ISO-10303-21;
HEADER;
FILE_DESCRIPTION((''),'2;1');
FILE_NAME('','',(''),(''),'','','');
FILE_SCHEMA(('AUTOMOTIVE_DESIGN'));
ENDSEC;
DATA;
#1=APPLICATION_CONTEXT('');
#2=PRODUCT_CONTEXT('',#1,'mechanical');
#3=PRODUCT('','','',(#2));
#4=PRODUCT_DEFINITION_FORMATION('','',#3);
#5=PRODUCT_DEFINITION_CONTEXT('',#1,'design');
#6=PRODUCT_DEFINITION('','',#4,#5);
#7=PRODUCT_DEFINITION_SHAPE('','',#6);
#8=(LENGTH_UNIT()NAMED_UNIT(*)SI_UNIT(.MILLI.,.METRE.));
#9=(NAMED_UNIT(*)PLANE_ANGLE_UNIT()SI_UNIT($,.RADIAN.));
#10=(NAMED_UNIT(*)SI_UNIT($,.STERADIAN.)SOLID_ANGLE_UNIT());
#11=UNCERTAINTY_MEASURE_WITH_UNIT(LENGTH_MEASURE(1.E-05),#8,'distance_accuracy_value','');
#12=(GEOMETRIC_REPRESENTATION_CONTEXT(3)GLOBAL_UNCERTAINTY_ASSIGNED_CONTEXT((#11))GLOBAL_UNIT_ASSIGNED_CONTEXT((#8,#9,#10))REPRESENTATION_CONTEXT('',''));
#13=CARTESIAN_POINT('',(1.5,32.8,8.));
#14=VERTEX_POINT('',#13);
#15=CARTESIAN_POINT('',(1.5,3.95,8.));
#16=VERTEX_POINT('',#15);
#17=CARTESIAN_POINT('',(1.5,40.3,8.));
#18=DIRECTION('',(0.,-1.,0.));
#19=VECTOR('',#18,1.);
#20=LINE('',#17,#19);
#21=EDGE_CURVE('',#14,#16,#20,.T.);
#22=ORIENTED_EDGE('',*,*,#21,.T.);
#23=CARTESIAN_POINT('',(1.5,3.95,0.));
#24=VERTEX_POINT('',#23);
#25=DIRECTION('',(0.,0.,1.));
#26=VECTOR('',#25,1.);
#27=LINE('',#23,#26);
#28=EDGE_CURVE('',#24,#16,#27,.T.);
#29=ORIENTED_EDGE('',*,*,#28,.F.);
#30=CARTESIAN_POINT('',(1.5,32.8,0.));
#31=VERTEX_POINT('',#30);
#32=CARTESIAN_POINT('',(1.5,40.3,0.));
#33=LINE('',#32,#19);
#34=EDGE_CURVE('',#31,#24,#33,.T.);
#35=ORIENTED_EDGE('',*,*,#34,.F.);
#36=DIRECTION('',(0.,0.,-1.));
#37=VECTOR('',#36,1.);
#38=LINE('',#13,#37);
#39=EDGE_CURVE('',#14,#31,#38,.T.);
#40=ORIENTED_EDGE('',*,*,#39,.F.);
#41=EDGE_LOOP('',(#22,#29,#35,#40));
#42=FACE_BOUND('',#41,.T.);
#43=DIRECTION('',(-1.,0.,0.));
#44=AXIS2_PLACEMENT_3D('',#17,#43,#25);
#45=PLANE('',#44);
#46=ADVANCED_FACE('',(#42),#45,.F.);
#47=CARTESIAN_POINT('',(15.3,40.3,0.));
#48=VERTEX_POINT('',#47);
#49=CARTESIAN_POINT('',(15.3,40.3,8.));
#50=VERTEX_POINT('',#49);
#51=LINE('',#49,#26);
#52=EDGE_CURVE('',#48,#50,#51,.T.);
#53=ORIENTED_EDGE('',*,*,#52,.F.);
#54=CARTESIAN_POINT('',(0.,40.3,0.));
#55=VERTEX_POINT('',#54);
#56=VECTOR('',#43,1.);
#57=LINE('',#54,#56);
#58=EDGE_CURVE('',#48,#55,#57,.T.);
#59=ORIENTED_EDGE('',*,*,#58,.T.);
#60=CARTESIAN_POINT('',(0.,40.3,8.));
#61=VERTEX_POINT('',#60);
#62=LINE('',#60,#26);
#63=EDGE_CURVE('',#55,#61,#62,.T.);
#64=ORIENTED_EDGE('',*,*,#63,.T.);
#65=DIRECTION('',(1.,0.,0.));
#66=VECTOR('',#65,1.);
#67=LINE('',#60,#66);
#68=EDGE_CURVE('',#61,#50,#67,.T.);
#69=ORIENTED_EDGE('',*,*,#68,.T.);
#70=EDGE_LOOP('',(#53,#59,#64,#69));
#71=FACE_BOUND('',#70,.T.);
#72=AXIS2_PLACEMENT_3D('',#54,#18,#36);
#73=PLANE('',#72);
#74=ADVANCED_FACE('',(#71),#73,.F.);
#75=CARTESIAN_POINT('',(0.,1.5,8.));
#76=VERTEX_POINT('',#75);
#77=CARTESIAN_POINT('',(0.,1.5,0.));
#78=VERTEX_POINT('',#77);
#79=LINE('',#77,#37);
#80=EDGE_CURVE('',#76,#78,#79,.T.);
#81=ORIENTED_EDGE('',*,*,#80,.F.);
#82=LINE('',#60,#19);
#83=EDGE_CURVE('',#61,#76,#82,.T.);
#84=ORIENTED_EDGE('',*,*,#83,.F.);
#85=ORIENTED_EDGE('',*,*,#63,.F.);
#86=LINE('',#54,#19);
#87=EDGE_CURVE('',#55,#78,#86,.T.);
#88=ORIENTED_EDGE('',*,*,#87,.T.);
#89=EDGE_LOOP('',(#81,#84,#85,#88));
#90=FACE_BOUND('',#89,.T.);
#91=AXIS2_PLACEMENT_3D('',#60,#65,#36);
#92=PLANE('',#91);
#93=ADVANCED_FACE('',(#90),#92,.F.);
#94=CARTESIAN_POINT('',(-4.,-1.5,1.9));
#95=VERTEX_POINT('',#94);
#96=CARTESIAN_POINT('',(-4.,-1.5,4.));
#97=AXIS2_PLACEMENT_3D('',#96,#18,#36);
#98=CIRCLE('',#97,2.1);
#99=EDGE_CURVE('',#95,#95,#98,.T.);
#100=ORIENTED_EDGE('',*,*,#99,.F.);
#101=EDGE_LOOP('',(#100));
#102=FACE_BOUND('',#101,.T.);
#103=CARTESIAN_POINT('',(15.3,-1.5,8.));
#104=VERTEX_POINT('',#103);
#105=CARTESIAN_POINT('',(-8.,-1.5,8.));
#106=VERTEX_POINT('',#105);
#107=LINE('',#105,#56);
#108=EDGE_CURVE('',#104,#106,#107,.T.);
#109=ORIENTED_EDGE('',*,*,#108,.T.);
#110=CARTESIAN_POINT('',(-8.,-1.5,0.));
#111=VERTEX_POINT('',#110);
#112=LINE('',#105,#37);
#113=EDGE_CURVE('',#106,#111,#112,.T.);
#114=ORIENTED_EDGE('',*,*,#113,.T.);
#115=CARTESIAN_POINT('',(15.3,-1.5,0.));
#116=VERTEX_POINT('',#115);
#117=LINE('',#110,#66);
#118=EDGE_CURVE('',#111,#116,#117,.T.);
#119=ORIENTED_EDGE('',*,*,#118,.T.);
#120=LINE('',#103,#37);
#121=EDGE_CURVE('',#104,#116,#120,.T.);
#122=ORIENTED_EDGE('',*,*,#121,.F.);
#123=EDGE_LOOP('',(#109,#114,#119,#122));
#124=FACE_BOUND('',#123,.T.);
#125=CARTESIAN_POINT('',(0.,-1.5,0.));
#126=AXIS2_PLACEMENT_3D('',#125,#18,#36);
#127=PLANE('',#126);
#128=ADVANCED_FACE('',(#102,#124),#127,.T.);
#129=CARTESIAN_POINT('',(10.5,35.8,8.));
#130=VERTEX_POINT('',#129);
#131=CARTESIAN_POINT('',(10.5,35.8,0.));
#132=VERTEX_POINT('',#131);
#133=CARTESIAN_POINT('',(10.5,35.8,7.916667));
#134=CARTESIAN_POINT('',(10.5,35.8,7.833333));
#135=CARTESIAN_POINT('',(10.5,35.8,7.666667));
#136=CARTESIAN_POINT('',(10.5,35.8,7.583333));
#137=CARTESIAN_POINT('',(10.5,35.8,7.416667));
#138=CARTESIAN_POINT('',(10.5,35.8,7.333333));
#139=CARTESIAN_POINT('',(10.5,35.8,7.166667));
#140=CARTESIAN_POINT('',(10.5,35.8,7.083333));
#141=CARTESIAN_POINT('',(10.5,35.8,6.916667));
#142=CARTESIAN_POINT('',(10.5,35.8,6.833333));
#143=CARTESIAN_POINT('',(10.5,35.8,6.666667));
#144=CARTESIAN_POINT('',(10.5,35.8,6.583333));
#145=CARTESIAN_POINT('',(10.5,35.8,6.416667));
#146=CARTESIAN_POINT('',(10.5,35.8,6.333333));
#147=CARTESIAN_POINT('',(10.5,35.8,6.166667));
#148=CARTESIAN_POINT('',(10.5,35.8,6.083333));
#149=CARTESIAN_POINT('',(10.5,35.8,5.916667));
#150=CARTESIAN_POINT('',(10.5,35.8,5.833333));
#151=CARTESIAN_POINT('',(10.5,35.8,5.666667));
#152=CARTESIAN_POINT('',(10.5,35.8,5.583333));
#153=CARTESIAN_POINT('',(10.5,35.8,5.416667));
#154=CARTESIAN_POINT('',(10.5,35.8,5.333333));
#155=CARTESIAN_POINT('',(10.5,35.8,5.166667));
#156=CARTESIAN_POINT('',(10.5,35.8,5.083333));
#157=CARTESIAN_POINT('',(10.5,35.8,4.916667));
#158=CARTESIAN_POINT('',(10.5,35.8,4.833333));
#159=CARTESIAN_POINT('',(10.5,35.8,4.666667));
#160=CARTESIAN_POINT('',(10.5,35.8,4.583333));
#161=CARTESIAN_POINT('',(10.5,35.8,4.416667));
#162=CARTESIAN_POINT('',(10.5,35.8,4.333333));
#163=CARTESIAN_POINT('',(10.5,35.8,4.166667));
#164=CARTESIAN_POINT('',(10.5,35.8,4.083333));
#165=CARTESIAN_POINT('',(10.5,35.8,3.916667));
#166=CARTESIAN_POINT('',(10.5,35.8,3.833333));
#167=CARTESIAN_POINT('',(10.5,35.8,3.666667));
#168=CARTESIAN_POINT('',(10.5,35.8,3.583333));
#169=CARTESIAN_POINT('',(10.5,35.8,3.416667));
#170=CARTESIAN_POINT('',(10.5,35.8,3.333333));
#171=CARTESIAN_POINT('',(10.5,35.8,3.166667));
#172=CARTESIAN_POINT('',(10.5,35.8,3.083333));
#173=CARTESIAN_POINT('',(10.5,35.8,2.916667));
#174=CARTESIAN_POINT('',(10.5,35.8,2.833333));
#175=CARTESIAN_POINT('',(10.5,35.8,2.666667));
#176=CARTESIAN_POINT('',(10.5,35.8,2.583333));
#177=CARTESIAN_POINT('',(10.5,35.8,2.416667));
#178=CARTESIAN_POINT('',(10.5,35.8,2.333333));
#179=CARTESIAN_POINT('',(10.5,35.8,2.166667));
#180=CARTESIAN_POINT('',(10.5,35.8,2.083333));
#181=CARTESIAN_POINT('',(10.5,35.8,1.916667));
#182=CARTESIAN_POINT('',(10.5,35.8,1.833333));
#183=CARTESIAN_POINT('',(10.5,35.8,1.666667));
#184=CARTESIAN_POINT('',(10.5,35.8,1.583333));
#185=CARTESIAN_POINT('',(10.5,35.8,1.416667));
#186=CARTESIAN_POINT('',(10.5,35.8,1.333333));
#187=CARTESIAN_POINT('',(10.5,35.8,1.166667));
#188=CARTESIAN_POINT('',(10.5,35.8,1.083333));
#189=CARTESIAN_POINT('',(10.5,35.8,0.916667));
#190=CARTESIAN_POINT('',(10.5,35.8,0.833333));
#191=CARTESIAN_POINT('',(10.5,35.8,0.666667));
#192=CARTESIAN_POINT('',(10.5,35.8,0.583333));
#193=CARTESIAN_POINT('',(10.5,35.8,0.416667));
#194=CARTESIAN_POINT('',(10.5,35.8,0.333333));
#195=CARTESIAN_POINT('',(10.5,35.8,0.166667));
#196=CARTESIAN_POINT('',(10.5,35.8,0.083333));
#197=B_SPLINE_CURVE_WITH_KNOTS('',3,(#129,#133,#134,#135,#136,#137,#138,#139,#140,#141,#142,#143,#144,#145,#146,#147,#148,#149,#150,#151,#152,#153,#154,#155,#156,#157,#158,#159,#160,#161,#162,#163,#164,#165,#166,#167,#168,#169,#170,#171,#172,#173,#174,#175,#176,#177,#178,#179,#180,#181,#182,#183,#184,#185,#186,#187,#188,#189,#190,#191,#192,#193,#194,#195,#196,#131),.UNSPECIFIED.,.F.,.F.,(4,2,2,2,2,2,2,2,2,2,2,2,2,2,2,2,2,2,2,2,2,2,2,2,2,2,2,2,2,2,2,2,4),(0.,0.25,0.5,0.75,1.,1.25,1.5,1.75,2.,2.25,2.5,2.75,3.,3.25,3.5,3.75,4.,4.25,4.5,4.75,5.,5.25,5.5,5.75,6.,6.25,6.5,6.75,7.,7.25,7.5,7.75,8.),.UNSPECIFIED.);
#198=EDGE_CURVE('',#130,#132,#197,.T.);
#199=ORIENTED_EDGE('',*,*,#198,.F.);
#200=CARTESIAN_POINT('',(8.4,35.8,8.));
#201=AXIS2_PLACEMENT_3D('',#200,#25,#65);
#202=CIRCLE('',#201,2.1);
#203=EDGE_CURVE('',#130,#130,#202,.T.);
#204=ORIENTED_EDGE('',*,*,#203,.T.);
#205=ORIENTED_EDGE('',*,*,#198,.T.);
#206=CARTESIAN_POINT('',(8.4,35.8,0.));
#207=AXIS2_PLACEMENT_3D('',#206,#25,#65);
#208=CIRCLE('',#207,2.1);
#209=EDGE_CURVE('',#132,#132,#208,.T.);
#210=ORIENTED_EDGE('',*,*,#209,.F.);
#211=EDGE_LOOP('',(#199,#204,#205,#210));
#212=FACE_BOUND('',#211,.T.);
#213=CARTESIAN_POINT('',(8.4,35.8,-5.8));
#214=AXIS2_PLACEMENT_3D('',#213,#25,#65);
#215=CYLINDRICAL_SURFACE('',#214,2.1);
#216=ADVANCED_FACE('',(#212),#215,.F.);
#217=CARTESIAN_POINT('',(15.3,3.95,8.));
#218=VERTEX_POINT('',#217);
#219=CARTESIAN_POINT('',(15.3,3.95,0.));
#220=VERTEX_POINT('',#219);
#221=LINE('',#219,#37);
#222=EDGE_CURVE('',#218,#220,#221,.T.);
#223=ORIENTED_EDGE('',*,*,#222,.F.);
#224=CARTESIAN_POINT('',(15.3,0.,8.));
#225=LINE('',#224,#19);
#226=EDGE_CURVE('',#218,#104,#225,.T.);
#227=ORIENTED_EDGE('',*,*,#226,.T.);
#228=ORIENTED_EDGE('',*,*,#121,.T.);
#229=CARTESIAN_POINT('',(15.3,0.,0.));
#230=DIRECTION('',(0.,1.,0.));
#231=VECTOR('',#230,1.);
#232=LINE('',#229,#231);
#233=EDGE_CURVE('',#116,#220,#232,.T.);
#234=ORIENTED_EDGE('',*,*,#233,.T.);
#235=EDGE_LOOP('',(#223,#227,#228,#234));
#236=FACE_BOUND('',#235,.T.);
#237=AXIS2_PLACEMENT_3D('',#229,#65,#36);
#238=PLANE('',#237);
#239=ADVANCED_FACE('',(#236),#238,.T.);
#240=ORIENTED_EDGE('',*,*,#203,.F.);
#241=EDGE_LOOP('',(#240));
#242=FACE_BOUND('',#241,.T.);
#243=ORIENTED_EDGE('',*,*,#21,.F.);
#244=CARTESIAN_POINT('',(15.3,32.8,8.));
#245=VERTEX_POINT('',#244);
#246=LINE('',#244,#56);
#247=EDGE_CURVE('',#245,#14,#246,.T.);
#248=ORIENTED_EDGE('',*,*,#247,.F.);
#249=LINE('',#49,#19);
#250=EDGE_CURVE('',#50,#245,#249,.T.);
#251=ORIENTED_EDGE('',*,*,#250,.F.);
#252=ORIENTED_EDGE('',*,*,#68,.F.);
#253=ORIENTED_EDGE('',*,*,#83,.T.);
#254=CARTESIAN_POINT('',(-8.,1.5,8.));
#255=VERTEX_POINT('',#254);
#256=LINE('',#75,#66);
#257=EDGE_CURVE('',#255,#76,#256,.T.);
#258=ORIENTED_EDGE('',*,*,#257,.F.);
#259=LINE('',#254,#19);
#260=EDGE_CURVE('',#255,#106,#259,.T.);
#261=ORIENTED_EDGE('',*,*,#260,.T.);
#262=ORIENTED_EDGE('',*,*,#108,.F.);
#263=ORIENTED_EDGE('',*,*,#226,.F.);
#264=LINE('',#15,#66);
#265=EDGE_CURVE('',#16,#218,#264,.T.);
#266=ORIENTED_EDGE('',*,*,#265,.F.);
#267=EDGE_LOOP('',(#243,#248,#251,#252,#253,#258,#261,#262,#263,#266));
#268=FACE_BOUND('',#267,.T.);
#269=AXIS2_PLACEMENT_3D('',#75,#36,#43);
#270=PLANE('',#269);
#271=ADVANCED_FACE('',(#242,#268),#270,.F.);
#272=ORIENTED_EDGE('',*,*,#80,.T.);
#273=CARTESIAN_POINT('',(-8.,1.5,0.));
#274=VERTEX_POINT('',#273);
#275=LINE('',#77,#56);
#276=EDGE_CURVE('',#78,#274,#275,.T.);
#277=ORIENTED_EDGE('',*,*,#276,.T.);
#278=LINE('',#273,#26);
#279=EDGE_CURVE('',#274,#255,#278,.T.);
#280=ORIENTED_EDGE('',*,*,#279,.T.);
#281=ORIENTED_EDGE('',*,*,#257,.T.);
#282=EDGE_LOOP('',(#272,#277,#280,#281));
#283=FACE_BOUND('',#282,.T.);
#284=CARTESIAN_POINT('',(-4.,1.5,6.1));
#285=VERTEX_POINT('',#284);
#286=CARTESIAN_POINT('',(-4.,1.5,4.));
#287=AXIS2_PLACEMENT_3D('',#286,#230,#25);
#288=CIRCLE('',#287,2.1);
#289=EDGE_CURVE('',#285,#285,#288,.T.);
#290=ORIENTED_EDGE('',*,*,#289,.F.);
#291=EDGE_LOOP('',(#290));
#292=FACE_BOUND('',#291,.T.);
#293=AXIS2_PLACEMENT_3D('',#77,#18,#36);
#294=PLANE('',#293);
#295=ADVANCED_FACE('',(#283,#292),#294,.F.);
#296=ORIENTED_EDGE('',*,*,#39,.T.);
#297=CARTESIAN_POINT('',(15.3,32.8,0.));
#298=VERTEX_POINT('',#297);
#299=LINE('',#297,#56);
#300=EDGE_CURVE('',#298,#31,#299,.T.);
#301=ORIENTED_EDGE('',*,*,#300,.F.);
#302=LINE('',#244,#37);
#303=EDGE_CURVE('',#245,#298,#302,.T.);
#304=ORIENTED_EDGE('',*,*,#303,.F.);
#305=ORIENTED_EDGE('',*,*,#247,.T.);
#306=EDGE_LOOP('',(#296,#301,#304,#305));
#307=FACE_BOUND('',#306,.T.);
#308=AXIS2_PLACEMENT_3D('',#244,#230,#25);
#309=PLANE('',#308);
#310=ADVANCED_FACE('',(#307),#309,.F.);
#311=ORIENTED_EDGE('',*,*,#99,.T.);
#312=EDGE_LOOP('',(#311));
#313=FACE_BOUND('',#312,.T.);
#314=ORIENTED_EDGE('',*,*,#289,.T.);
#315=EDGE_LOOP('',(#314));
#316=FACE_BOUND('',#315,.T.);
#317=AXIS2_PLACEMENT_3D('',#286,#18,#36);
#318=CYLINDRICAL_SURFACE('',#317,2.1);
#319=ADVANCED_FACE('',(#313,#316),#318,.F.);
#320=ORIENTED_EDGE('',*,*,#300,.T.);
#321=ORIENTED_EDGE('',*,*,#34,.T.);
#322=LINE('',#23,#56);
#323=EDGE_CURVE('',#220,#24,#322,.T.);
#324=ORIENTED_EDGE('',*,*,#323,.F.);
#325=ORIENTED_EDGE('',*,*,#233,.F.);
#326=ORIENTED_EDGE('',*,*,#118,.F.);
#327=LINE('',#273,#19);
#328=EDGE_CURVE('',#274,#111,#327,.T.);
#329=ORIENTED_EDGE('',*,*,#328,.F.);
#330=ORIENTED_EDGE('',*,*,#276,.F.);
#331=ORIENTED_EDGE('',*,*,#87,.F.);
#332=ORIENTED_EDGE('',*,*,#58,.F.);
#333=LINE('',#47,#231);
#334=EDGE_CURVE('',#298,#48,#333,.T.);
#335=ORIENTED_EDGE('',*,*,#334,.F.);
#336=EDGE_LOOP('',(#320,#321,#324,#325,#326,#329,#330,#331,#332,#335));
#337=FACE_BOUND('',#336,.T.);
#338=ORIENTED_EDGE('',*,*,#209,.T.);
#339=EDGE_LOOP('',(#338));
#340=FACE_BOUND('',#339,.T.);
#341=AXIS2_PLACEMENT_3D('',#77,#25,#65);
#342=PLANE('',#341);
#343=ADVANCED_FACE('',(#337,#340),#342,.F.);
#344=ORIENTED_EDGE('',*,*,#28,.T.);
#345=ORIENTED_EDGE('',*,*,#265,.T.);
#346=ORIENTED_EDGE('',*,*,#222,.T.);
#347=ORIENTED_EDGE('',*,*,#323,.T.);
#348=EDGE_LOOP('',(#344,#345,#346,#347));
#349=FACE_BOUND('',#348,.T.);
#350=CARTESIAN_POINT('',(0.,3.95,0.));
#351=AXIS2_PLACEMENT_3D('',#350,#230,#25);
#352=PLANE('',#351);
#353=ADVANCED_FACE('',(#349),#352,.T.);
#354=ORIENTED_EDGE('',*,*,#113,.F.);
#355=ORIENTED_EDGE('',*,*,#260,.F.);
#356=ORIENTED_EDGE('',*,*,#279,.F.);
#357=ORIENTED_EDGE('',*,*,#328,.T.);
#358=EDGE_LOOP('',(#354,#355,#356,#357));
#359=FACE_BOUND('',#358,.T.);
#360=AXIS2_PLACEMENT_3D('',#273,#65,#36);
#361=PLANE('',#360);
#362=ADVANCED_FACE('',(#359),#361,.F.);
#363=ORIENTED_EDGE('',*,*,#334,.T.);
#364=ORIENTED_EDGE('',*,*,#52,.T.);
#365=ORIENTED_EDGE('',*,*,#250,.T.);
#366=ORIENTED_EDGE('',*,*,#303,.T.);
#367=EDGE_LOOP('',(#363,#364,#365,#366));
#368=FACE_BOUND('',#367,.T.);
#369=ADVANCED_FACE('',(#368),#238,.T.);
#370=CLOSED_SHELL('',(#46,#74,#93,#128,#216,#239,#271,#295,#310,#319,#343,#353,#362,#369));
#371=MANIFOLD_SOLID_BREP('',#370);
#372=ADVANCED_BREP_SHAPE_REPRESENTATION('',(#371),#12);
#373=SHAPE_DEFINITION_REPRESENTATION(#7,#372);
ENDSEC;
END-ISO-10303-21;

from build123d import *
from build123d.topology import SkipClean

# Parameters (mm, degrees)
SKETCH1_W            = 8
SKETCH1_H            = 8
SKETCH1_R            = 2.1
BOSS_EXTRUDE6_DEPTH  = 1.5
SKETCH6_W            = 8
SKETCH6_H            = 1.5
BOSS_EXTRUDE7_DEPTH  = 15.3
BOSS_EXTRUDE8_START  = 1.5
SKETCH10_W           = 8
SKETCH10_H           = 8
SKETCH10_R           = 2.1
BOSS_EXTRUDE8_DEPTH  = 1.5
SKETCH11_W           = 1.5
SKETCH11_H           = 8
BOSS_EXTRUDE9_DEPTH  = 40.3
SKETCH12_W           = 8
SKETCH12_H           = 7.5
BOSS_EXTRUDE10_DEPTH = 13.8
SKETCH14_R           = 2.1
CUT_EXTRUDE1_DEPTH   = 13.8
SKETCH15_W           = 13.8
SKETCH15_H           = 8
BOSS_EXTRUDE11_DEPTH = 3.95


with BuildPart() as part:
    # Sketch1 → Boss-Extrude6 (new body)
    with BuildSketch(Plane(origin=(0, 0, 0), x_dir=(1, 0, 0), z_dir=(0, 1, 0))):
        with Locations((-4, -4)):
            Rectangle(SKETCH1_W, SKETCH1_H)
        with Locations(Location((-4, -4, 0), (0, 0, 270))):
            Circle(SKETCH1_R, mode=Mode.SUBTRACT)
    extrude(amount=BOSS_EXTRUDE6_DEPTH)



with BuildPart() as body_2:
    # Sketch6 → Boss-Extrude7 (new body)
    with BuildSketch(Plane(origin=(0, 0, 0), x_dir=(0, 0, -1), z_dir=(1, 0, 0))):
        with Locations((-4, -0.75)):
            Rectangle(SKETCH6_W, SKETCH6_H)
    extrude(amount=BOSS_EXTRUDE7_DEPTH)


with BuildPart() as part_1:
    with SkipClean():  # the faces are left unmerged after this step: merging them gives an invalid solid
        add(part.part)

        add(body_2.part)  # Boss-Extrude8 merges body 2
        # Sketch10 → Boss-Extrude8 (add)
        with BuildSketch(Plane.XZ.offset(BOSS_EXTRUDE8_START)):
            with Locations((-4, 4)):
                Rectangle(SKETCH10_W, SKETCH10_H)
            with Locations(Location((-4, 4, 0), (0, 0, 270))):
                Circle(SKETCH10_R, mode=Mode.SUBTRACT)
        extrude(amount=-BOSS_EXTRUDE8_DEPTH)

    # Sketch11 → Boss-Extrude9 (add)
    with SkipClean():  # the faces are left unmerged after this step: merging them gives an invalid solid
        with BuildSketch(Plane(origin=(0, 0, 0), x_dir=(1, 0, 0), z_dir=(0, 1, 0))):
            with Locations((0.75, -4)):
                Rectangle(SKETCH11_W, SKETCH11_H)
        extrude(amount=BOSS_EXTRUDE9_DEPTH)

    # Sketch12 → Boss-Extrude10 (add)
    with SkipClean():  # the faces are left unmerged after this step: merging them gives an invalid solid
        with BuildSketch(Plane(origin=(1.5, 0, 0), x_dir=(0, 0, -1), z_dir=(1, 0, 0))):
            with Locations((-4, 36.55)):
                Rectangle(SKETCH12_W, SKETCH12_H)
        extrude(amount=BOSS_EXTRUDE10_DEPTH)

    # Sketch14 → Cut-Extrude1 (cut)
    with SkipClean():  # the faces are left unmerged after this step: merging them gives an invalid solid
        with BuildSketch(Plane.XY.offset(8)):
            with Locations((8.4, 35.8)):
                Circle(SKETCH14_R)
        extrude(amount=-CUT_EXTRUDE1_DEPTH, mode=Mode.SUBTRACT)

    # Sketch15 → Boss-Extrude11 (add)
    with SkipClean():  # the faces are left unmerged after this step: merging them gives an invalid solid
        with BuildSketch(Plane(origin=(0, 0, 0), x_dir=(1, 0, 0), z_dir=(0, 1, 0))):
            with Locations((8.4, -4)):
                Rectangle(SKETCH15_W, SKETCH15_H)
        extrude(amount=BOSS_EXTRUDE11_DEPTH)


solid = part_1.part
